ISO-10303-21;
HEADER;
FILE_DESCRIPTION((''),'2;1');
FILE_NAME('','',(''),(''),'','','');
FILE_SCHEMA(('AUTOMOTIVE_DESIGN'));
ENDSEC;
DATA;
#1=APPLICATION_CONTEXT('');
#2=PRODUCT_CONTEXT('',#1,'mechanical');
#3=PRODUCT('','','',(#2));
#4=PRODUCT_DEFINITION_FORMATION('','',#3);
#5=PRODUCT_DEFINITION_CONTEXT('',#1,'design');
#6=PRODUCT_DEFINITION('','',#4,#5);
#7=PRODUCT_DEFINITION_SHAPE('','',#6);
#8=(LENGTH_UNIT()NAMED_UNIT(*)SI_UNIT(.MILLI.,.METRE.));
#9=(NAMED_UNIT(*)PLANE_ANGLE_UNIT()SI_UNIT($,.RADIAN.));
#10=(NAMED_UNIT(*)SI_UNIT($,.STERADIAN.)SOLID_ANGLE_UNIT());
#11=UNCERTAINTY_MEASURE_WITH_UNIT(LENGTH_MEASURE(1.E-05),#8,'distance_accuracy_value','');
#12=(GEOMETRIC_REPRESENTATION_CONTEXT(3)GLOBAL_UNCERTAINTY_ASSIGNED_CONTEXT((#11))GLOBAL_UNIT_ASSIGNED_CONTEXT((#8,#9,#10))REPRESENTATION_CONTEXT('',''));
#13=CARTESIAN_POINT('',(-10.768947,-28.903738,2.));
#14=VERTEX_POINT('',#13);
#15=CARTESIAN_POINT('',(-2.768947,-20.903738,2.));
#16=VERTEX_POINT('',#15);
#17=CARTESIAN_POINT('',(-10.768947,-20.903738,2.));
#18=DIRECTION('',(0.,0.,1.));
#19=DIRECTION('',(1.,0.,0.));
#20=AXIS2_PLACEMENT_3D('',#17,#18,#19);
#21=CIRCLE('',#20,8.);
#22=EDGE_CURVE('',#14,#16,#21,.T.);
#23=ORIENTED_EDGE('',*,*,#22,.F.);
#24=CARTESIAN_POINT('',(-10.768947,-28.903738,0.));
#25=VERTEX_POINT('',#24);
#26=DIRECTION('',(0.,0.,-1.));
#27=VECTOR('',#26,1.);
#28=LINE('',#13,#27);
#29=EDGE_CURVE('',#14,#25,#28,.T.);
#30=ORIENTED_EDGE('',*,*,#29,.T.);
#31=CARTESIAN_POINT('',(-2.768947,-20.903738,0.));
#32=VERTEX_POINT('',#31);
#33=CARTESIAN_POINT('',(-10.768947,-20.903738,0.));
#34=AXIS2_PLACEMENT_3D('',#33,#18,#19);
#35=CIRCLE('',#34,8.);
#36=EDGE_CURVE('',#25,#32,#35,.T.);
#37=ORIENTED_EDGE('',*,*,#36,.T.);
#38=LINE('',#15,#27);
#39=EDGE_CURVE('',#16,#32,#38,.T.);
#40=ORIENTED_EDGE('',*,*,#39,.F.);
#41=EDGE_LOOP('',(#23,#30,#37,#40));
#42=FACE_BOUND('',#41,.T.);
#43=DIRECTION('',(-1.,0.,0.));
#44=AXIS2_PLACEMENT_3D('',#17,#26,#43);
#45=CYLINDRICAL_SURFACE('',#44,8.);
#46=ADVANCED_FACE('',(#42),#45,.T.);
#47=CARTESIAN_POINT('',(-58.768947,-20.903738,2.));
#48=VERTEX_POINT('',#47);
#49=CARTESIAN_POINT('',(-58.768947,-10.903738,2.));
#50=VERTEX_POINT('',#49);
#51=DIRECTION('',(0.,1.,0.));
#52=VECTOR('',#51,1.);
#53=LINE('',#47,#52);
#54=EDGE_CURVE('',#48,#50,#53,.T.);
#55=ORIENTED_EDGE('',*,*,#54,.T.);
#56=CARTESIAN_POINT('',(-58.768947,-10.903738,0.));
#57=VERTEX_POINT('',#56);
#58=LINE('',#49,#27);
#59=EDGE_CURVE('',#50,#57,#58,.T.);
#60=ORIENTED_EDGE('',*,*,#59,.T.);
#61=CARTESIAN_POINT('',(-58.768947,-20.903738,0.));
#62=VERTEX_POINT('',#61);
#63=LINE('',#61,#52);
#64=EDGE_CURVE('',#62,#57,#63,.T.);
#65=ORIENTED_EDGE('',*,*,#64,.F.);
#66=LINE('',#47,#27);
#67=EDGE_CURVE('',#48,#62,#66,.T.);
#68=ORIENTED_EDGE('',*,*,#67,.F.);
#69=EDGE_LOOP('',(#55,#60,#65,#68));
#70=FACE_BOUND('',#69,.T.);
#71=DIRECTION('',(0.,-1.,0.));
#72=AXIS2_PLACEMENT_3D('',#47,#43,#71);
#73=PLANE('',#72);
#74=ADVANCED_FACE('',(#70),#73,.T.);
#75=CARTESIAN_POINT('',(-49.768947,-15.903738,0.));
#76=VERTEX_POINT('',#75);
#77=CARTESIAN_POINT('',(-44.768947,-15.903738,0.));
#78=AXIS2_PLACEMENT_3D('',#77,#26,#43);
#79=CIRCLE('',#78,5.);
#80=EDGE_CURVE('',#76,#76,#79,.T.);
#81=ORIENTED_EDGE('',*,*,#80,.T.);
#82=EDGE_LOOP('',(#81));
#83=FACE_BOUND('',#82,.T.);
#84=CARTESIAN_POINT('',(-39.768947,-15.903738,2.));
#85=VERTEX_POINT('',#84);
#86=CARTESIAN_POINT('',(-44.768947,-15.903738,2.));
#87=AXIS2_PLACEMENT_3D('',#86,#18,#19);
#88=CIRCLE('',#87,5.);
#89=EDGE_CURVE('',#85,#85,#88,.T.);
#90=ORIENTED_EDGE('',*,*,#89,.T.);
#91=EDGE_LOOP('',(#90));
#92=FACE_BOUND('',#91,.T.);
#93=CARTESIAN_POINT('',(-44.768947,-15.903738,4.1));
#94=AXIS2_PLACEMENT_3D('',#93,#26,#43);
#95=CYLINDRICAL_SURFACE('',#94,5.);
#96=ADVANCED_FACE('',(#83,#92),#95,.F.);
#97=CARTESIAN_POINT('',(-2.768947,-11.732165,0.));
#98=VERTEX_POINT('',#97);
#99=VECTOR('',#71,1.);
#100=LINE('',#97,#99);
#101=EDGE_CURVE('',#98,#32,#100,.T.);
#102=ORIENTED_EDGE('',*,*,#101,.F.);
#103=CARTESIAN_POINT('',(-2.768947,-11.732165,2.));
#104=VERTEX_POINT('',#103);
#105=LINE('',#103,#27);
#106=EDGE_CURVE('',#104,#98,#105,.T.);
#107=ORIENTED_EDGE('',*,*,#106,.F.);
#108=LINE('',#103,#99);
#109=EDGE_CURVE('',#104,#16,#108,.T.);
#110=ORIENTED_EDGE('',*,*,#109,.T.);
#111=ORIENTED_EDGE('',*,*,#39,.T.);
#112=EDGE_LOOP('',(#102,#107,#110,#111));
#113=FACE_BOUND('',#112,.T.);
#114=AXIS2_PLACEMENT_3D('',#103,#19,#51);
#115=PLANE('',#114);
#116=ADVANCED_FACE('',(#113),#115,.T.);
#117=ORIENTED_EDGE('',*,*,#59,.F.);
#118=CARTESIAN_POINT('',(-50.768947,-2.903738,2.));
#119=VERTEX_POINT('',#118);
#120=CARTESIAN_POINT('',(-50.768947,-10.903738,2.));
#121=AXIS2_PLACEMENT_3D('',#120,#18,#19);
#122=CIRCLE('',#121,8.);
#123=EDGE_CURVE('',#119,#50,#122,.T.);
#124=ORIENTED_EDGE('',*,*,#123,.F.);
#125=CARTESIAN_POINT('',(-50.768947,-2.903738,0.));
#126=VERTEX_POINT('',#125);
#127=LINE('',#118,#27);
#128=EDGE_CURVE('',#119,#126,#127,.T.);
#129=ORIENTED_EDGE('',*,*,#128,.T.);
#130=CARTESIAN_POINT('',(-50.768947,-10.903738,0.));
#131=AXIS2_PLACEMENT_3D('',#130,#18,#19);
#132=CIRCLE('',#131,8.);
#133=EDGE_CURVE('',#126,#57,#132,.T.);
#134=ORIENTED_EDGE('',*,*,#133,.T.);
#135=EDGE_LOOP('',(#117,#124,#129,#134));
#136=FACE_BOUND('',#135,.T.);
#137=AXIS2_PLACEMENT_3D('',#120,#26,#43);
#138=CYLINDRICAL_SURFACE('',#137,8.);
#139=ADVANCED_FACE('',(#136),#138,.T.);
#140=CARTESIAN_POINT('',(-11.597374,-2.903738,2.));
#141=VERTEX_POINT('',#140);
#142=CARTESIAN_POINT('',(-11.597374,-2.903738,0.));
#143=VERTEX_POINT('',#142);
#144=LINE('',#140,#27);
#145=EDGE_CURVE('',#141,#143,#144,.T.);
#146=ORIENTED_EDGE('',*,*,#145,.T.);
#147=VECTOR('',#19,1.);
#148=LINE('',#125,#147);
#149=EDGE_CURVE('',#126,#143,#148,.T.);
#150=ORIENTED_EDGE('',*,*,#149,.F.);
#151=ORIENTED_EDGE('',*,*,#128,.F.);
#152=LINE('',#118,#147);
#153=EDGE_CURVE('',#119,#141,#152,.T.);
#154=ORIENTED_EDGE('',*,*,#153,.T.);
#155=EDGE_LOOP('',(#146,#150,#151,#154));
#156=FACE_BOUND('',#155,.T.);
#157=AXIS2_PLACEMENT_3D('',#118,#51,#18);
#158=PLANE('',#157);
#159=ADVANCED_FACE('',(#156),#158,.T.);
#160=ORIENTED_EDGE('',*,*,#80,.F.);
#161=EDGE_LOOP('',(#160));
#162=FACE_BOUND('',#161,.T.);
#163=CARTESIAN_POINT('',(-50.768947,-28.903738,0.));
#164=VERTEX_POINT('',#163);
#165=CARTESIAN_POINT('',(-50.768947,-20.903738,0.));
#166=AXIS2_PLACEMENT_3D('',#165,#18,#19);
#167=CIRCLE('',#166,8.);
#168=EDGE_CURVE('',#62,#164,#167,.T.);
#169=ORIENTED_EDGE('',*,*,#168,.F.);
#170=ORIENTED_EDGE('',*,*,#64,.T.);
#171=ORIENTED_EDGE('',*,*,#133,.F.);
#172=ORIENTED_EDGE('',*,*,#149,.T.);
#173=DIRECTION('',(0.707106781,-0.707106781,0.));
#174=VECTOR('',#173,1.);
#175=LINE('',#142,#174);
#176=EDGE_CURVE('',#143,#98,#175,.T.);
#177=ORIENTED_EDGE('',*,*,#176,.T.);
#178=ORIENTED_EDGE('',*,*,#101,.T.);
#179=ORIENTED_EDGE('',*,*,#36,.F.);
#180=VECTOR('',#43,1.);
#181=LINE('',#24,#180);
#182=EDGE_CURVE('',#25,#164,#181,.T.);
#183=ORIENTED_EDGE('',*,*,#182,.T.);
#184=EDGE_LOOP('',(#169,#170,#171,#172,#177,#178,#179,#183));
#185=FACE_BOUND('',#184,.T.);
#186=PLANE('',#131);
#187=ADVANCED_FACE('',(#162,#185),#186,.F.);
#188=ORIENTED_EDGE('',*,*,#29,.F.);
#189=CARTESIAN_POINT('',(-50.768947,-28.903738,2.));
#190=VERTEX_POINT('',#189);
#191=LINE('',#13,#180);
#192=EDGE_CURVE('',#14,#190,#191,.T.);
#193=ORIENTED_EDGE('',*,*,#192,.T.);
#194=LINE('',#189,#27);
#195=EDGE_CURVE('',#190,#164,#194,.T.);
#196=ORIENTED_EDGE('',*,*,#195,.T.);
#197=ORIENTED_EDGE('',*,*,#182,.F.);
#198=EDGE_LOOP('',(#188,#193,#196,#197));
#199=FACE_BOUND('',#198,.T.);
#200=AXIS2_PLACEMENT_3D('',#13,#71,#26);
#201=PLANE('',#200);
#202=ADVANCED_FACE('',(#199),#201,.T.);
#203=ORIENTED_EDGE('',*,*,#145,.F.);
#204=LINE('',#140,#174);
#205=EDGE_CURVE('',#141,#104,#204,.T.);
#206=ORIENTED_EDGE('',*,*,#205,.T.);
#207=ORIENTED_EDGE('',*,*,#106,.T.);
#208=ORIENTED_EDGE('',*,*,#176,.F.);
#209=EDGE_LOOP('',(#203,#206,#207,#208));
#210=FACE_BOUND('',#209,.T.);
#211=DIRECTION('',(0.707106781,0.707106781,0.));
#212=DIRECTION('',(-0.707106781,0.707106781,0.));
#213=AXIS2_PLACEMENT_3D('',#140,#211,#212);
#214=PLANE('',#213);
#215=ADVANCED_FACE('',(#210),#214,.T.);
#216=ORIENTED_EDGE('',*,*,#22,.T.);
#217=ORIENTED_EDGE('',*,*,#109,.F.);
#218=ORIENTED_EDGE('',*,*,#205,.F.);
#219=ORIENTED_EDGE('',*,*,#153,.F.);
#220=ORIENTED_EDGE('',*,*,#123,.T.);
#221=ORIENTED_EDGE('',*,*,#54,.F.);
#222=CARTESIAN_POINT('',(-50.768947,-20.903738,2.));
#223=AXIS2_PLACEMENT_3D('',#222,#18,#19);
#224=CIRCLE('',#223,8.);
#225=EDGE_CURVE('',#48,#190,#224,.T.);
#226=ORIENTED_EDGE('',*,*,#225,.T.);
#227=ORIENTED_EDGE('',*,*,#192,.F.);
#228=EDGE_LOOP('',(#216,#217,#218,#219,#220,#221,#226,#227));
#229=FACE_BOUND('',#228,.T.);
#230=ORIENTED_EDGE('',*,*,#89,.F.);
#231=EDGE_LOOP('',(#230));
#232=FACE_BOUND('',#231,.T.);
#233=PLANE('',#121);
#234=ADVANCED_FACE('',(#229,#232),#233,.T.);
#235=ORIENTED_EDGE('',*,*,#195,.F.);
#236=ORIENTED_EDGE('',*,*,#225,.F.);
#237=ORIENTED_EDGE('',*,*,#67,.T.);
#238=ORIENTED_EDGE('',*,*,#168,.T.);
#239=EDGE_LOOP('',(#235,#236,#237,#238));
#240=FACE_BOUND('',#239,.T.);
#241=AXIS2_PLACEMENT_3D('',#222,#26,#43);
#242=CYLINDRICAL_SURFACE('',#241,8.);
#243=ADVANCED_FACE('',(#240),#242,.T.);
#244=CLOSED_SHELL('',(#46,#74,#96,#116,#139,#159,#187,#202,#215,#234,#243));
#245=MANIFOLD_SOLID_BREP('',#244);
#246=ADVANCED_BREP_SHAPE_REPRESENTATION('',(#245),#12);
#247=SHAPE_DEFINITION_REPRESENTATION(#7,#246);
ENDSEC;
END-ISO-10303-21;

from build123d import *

# Parameters (mm, degrees)
BOSS_EXTRUDE1_DEPTH = 2
SKETCH2_R           = 5
CUT_EXTRUDE1_DEPTH  = 4.1


with BuildPart() as part:
    # Sketch1 → Boss-Extrude1 (new body)
    with BuildSketch(Plane.XY):
        with BuildLine():
            Line((-50.768947103, -2.903737712), (-11.597374228, -2.903737712))
            Line((-11.597374228, -2.903737712), (-2.768947103, -11.732164837))
            Line((-2.768947103, -11.732164837), (-2.768947103, -20.903737712))
            ThreePointArc((-2.768947103, -20.903737712), (-5.112092854, -26.560591962), (-10.768947103, -28.903737712))
            Line((-10.768947103, -28.903737712), (-50.768947103, -28.903737712))
            ThreePointArc((-50.768947103, -28.903737712), (-56.425801353, -26.560591962), (-58.768947103, -20.903737712))
            Line((-58.768947103, -20.903737712), (-58.768947103, -10.903737712))
            ThreePointArc((-58.768947103, -10.903737712), (-56.425801353, -5.246883463), (-50.768947103, -2.903737712))
        make_face()
    extrude(amount=BOSS_EXTRUDE1_DEPTH)

    # Sketch2 → Cut-Extrude1 (cut)
    with BuildSketch(Plane(origin=(0, 0, 0), x_dir=(-1, 0, 0), z_dir=(0, 0, -1))):
        with Locations((44.768947103, -15.903737712)):
            Circle(SKETCH2_R)
    extrude(amount=-CUT_EXTRUDE1_DEPTH, mode=Mode.SUBTRACT)


solid = part.part
